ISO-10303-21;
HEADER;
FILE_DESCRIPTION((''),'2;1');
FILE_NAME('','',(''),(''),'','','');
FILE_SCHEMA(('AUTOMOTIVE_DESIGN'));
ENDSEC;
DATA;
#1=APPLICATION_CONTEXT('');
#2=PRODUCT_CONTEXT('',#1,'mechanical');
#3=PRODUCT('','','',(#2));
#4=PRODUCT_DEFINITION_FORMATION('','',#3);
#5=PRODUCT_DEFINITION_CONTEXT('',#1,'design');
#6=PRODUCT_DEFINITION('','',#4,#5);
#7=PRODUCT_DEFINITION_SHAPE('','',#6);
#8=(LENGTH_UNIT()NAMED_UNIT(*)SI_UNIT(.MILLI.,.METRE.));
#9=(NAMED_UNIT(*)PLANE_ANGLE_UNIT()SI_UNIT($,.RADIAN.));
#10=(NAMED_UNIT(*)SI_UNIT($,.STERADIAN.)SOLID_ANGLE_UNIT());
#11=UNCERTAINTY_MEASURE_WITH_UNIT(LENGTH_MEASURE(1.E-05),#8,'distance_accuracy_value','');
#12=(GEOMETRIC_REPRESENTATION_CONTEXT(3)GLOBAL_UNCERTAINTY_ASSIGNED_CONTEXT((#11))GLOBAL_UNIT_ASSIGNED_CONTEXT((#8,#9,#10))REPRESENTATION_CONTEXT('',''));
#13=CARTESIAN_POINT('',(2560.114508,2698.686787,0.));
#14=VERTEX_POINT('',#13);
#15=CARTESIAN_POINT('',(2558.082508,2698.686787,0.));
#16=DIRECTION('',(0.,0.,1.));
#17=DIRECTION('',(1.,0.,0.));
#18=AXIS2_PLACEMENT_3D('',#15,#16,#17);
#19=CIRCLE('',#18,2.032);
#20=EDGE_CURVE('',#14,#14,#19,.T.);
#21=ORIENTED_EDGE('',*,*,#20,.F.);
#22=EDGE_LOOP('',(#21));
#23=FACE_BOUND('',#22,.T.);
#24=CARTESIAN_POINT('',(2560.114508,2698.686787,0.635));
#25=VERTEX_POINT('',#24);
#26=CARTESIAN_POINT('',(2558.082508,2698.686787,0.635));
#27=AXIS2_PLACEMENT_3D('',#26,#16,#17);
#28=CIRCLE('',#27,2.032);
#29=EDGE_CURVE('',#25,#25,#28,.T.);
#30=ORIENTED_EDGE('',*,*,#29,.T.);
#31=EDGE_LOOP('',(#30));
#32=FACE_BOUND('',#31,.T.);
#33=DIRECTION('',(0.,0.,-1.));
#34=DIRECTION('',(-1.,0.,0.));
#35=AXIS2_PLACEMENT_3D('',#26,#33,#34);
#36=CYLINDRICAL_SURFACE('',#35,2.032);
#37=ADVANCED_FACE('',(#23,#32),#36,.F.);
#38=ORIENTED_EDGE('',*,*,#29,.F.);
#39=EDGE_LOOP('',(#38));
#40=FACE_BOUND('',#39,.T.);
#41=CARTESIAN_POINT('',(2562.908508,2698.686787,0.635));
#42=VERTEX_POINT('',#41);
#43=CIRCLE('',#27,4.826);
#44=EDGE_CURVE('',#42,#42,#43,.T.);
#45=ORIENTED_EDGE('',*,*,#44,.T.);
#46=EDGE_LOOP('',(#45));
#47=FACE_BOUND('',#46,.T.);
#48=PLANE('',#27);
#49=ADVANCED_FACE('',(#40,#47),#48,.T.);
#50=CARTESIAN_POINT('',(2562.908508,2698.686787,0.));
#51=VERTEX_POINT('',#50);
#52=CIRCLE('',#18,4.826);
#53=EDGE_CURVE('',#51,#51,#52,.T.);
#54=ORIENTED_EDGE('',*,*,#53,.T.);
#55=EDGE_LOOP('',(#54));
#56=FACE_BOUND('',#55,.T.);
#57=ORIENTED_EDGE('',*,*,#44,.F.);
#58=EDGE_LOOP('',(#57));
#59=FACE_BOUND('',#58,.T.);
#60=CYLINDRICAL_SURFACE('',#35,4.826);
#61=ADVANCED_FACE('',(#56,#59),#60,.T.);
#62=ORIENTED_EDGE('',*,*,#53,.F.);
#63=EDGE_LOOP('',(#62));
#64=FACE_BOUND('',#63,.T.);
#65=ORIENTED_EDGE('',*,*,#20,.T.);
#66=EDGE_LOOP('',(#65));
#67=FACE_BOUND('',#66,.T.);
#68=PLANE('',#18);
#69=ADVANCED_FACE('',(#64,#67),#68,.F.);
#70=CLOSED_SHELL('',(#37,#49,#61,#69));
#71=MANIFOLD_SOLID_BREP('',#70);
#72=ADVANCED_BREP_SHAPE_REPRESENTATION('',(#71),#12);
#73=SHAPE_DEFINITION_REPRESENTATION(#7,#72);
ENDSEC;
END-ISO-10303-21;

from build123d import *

# Parameters (mm, degrees)
SKETCH1_R           = 4.826
SKETCH1_R_2         = 2.032
BOSS_EXTRUDE1_DEPTH = 0.635


with BuildPart() as part:
    # Sketch1 → Boss-Extrude1 (new body)
    with BuildSketch(Plane.XY):
        with Locations((2558.082507729, 2698.686786983)):
            Circle(SKETCH1_R)
        with Locations((2558.082507729, 2698.686786983)):
            Circle(SKETCH1_R_2, mode=Mode.SUBTRACT)
    extrude(amount=BOSS_EXTRUDE1_DEPTH)


solid = part.part
